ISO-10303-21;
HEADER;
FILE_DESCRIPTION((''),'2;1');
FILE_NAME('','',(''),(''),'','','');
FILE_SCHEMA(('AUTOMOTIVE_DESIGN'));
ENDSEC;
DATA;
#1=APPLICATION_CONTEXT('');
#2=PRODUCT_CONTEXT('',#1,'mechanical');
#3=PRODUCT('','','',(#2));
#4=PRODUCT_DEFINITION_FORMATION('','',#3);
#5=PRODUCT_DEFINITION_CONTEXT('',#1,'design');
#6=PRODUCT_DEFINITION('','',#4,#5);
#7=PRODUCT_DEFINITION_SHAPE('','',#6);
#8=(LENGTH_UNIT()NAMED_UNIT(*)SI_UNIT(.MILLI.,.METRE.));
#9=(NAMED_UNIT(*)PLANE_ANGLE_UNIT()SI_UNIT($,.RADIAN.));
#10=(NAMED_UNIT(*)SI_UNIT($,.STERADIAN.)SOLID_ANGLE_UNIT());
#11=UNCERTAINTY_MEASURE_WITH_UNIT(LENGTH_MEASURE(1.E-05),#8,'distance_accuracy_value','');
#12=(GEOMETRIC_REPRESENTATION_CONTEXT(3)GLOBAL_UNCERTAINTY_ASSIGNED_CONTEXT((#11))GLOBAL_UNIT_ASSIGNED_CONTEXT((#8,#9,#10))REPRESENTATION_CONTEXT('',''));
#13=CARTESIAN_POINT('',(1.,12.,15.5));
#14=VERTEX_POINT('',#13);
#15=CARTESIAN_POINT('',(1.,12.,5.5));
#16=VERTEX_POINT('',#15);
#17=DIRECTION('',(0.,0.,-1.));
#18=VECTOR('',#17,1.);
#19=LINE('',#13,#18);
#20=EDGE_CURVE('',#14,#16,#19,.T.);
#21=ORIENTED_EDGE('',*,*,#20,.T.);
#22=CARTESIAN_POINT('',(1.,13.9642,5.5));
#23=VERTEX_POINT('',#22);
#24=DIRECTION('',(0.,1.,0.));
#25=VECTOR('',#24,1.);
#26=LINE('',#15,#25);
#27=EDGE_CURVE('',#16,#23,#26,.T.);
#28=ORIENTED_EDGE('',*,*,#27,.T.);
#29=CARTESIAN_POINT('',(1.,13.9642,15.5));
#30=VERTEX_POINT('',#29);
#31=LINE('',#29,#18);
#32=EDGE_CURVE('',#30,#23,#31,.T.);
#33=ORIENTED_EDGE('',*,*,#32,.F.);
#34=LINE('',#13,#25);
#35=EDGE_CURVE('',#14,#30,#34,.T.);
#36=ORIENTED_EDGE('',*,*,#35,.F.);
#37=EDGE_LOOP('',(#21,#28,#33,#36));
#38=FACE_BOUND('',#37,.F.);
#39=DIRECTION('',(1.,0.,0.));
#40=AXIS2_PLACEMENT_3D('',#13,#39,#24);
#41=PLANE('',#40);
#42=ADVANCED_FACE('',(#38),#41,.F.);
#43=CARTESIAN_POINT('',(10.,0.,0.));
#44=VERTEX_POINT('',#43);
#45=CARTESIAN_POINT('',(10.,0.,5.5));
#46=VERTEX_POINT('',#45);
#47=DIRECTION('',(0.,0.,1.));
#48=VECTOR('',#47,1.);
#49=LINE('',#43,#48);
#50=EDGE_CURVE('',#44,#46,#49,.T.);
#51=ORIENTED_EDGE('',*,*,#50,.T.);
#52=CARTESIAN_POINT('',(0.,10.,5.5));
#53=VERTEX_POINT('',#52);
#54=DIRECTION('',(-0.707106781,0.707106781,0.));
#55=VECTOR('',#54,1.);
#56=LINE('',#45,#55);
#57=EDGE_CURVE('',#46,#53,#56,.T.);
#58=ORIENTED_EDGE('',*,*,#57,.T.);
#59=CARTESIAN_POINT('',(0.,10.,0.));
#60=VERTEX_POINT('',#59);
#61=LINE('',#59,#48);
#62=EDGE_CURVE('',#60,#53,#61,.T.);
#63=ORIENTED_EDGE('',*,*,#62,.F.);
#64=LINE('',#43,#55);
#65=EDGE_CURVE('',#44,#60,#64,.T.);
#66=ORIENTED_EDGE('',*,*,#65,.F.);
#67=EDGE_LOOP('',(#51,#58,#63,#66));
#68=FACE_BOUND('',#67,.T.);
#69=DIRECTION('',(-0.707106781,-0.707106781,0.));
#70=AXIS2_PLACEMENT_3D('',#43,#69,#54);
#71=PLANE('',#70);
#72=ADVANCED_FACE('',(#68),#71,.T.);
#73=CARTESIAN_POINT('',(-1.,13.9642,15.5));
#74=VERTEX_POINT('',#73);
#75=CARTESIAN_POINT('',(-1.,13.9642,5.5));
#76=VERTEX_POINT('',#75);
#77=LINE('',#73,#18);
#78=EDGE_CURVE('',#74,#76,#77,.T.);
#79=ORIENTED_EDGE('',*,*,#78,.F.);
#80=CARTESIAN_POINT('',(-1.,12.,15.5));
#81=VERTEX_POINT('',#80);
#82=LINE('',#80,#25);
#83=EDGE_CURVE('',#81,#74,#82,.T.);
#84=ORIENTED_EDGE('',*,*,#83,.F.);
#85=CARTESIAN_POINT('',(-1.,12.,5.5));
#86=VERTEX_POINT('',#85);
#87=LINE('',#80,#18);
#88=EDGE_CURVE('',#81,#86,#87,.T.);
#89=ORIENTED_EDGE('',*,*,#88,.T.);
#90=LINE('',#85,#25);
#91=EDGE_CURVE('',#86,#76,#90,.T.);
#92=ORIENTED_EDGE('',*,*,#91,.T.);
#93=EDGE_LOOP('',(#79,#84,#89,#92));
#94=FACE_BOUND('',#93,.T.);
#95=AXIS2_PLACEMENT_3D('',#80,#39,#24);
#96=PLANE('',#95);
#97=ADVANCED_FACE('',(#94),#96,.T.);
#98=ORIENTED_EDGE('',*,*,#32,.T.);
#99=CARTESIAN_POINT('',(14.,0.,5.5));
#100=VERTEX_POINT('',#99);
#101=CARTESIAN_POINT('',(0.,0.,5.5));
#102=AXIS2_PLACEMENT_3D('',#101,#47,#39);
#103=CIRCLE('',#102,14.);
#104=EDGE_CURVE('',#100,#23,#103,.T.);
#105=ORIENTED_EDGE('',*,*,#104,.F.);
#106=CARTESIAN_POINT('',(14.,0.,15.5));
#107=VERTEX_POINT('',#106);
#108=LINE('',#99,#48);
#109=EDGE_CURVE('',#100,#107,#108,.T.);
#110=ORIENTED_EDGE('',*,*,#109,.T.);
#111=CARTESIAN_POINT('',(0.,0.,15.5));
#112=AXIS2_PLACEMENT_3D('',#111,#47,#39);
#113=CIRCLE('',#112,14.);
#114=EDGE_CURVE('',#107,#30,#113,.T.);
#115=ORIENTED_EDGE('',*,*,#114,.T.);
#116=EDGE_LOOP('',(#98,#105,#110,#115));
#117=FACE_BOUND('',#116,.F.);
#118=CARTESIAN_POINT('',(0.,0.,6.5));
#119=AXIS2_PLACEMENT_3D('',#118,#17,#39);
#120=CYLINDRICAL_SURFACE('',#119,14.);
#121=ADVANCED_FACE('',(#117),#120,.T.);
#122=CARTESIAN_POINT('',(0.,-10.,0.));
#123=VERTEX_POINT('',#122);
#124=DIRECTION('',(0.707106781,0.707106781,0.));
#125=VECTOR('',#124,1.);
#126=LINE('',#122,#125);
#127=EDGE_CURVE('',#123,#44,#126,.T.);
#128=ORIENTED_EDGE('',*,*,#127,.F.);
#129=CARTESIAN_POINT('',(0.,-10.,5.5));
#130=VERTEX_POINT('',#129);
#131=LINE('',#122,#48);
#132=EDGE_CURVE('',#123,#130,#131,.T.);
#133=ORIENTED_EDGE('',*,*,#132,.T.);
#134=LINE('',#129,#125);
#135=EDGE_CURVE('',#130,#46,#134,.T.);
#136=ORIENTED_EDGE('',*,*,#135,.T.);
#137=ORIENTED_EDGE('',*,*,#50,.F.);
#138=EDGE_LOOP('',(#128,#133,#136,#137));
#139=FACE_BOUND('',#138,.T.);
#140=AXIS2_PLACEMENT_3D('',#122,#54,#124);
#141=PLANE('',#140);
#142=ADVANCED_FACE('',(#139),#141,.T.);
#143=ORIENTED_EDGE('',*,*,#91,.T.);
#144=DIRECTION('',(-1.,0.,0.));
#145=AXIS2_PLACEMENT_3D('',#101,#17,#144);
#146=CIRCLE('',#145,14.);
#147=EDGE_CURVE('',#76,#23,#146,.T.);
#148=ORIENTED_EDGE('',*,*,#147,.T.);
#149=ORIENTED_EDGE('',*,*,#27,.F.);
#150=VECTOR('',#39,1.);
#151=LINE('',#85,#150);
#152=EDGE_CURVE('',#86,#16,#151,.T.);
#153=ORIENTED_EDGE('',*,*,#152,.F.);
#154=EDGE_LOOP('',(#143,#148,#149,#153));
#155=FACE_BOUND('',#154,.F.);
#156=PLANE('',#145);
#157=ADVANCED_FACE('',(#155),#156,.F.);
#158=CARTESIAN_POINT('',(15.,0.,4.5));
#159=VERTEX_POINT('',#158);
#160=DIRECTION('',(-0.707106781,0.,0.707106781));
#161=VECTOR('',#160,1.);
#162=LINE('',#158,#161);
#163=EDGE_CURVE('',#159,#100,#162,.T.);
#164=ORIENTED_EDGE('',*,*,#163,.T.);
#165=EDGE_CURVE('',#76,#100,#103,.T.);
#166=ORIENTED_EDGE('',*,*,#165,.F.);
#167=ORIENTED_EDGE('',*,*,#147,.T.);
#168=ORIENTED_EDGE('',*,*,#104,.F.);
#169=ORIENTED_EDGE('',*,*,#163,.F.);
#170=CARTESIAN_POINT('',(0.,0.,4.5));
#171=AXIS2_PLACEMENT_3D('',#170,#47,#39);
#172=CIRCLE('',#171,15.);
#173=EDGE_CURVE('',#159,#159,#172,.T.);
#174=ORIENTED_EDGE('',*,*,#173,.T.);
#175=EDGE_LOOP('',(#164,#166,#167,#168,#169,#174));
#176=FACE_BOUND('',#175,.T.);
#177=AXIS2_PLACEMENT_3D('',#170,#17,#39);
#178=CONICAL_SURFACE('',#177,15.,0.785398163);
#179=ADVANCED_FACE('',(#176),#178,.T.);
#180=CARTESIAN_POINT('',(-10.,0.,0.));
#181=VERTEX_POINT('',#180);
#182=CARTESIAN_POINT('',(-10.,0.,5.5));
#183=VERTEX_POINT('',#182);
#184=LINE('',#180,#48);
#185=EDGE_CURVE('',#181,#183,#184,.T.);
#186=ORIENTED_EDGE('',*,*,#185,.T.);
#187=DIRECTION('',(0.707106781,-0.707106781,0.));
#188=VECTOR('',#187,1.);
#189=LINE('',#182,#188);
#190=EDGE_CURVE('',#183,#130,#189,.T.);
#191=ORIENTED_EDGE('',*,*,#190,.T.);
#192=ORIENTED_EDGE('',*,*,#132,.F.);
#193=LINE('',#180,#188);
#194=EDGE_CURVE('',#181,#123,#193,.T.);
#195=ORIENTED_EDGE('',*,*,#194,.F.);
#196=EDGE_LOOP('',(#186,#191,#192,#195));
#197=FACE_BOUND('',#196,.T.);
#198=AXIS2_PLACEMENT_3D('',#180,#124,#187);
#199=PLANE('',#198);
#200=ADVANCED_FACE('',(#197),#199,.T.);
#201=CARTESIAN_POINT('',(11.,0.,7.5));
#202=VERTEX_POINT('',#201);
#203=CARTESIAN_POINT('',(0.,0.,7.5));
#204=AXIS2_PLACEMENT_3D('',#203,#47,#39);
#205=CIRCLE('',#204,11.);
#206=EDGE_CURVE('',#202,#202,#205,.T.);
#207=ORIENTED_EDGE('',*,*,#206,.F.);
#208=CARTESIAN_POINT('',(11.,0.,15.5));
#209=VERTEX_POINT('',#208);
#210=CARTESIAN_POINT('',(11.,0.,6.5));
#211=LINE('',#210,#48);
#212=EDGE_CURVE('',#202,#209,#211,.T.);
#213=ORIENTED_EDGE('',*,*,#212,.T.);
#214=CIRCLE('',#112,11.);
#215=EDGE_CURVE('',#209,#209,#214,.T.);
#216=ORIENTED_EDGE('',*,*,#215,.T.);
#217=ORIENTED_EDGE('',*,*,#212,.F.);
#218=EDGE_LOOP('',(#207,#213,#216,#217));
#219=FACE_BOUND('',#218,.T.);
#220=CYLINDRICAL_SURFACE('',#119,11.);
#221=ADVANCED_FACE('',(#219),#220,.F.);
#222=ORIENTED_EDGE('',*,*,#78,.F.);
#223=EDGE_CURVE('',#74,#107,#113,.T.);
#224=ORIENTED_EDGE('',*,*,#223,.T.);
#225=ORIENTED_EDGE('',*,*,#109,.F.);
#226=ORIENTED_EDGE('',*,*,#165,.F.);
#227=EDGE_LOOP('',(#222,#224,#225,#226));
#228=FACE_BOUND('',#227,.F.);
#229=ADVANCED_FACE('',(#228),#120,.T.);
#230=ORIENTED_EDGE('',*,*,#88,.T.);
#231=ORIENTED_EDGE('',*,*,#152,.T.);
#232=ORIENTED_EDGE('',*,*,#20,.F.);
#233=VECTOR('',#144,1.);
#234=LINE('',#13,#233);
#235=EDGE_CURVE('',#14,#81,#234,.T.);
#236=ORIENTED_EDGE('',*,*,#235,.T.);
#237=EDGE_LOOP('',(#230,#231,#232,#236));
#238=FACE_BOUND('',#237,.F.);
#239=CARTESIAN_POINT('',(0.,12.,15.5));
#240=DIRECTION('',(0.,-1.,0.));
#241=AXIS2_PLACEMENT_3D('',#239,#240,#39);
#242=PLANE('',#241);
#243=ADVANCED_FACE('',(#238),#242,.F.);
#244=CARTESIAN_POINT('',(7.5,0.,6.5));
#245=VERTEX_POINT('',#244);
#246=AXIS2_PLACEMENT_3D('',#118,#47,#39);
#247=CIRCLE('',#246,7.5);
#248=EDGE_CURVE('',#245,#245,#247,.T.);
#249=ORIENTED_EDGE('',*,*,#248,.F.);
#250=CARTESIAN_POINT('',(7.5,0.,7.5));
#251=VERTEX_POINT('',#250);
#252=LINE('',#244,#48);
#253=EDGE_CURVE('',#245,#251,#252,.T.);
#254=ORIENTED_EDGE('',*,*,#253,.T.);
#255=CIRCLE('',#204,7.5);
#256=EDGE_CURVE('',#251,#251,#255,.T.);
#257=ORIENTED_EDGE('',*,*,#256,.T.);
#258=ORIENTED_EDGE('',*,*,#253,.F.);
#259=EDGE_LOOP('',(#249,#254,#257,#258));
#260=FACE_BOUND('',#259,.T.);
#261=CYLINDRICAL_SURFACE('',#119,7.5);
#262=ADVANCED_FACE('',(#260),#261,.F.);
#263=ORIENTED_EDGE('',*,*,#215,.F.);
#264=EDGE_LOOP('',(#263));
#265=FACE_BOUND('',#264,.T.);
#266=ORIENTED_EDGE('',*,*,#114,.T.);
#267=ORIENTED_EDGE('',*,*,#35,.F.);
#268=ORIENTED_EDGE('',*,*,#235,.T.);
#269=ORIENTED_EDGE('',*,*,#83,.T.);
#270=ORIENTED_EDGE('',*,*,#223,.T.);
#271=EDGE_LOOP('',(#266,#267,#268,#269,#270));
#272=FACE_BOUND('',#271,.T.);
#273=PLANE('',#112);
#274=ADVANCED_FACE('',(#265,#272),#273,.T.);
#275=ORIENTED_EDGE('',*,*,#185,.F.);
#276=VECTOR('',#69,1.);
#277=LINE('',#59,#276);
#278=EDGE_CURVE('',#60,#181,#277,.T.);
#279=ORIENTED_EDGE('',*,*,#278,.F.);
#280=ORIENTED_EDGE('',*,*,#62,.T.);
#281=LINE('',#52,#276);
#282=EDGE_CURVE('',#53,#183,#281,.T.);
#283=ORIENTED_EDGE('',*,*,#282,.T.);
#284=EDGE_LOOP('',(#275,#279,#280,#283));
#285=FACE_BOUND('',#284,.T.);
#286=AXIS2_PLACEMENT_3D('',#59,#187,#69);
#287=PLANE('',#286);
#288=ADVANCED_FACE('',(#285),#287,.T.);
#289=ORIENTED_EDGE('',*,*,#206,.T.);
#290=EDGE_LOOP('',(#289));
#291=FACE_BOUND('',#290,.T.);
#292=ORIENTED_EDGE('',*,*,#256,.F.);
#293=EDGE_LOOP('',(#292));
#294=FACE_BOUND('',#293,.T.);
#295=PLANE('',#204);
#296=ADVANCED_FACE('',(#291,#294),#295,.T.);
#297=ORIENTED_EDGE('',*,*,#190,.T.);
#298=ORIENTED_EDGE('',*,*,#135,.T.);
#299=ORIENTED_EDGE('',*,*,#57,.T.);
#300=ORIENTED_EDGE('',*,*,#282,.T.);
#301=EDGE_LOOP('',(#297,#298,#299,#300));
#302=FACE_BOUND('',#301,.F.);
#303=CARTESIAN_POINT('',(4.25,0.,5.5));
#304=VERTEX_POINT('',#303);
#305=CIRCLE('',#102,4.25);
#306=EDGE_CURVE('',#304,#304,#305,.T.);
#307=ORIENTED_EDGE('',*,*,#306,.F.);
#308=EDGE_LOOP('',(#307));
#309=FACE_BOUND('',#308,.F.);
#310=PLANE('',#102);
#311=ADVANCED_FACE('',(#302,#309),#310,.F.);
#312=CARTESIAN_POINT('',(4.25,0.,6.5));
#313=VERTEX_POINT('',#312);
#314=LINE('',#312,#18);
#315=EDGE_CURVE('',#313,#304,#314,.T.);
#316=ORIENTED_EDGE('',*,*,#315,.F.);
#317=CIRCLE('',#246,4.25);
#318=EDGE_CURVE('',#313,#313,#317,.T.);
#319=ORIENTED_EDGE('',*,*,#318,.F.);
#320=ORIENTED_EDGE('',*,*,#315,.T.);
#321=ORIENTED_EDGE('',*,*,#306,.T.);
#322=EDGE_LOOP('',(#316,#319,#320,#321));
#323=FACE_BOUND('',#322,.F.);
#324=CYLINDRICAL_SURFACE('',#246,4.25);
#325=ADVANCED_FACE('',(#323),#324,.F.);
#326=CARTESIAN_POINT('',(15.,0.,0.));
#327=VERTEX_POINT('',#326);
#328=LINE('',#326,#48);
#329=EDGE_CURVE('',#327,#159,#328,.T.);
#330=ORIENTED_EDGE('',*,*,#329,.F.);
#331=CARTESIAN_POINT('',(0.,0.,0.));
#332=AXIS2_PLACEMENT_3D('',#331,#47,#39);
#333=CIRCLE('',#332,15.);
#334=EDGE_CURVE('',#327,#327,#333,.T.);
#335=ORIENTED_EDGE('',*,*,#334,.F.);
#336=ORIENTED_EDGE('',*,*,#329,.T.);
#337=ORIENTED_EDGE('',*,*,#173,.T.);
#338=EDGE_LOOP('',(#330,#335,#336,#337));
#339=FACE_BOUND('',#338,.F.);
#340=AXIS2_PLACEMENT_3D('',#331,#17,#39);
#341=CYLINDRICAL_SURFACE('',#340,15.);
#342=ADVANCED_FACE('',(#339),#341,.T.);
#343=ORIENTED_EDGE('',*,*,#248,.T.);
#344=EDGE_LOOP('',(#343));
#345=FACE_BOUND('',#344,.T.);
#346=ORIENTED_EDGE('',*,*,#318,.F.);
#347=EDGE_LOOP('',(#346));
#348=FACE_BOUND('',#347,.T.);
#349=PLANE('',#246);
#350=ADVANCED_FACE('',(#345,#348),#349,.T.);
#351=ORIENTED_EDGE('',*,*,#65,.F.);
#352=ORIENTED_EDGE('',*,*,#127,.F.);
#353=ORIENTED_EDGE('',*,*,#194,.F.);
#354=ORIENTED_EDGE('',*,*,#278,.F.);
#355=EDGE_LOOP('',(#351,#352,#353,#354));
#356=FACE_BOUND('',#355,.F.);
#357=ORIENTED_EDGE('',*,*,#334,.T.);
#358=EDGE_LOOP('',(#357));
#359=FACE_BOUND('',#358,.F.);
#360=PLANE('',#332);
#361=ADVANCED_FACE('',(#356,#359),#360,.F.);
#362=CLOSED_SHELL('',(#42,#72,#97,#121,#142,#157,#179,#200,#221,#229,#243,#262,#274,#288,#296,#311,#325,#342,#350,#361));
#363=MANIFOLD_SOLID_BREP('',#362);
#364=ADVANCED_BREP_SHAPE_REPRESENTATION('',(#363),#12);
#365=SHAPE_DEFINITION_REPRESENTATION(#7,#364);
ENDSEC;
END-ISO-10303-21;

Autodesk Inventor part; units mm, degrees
ref_plane "YZ Plane" through (0, 0, 0) normal (1, 0, 0) x (0, 1, 0)
ref_plane "XZ Plane" through (0, 0, 0) normal (0, 1, 0) x (-1, 0, 0)
sketch "Esquisse1" plane through (0, 0, 0) normal (0, 0, 1) x (1, 0, 0)
  circle A0 centre (0, 0) radius 15
  line L0 (0, 0) -> (-10, 0)
  line L1 (0, 0) -> (0, 10)
  line L2 (0, 0) -> (10, 0)
  line L3 (0, 0) -> (0, -10)
  line L4 (0, -10) -> (10, 0)
  line L5 (10, 0) -> (0, 10)
  line L6 (0, 10) -> (-10, 0)
  line L7 (-10, 0) -> (0, -10)
  dimension "d0" = 30
  dimension "d1" = 10
  dimension "d2" = 10
  dimension "d3" = 10
  dimension "d4" = 10
extrude "Extrusion1" add sketch "Esquisse1" along normal blind 5.5
chamfer "Chanfrein1" distance 1 angle 45 1 edges at (-15, 0, 5.5)
sketch "Esquisse2" plane through (0, 0, 5.5) normal (0, 0, 1) x (1, 0, 0)
  circle A0 centre (0, 0) radius 11.5
  circle A1 centre (0, 0) radius 14
  line L0 (0, -10) -> (-10, 0) projected
  line L1 (0, 10) -> (10, 0) projected
  line L2 (-10, 0) -> (0, 10)
  line L3 (0, 10) -> (10, 0)
  line L4 (10, 0) -> (0, -10)
  line L5 (0, -10) -> (-10, 0)
  dimension "d10" = 23
  dimension "d26" = 28
extrude "Extrusion2" add sketch "Esquisse2" along normal blind 1 contours A0 | A1 | L0 L2 L1 L4
sketch "Esquisse3" plane through (0, 0, 6.5) normal (0, 0, 1) x (1, 0, 0)
  circle A0 centre (0, 0) radius 11
  circle A1 centre (0, 0) radius 14
  dimension "d13" = 22
  dimension "d27" = 28
extrude "Extrusion3" add sketch "Esquisse3" along normal blind 9
sketch "Esquisse4" plane through (0, 0, 6.5) normal (0, 0, 1) x (1, 0, 0)
  circle A0 centre (0, 0) radius 4.25
  dimension "d16" = 8.5
extrude "Extrusion4" cut sketch "Esquisse4" against normal through all
ref_plane "Plan de construction1" through (0, 0, 15.5) normal (0, 0, -1) x (-1, 0, 0)
sketch "Esquisse6" plane through (0, 0, 15.5) normal (0, 0, -1) x (-1, 0, 0)
  circle A0 centre (0, 0) radius 14
  line L0 (0, 0) -> (0, 12)
  line L1 (0, 12) -> (-1, 12)
  line L2 (-1, 12) -> (-1, 13.9642)
  circle A1 centre (0, 0) radius 14 projected
  line L3 (0, 12) -> (1, 12)
  line L4 (1, 12) -> (1, 13.9642)
  dimension "d29" = 12
  dimension "d30" = 1
  dimension "d31" = 1
extrude "Extrusion6" cut sketch "Esquisse6" along normal blind 10 contours L4 L3 L1 L2 A0 picked at (-0.4445, 12.6653)
sketch "Esquisse7" plane through (0, 0, 6.5) normal (0, 0, 1) x (1, 0, 0)
  circle A0 centre (0, 0) radius 11 projected
  circle A1 centre (0, 0) radius 7.5
  dimension "d34" = 15
extrude "Extrusion7" add sketch "Esquisse7" along normal blind 1
properties part number "bielle côté 2"
